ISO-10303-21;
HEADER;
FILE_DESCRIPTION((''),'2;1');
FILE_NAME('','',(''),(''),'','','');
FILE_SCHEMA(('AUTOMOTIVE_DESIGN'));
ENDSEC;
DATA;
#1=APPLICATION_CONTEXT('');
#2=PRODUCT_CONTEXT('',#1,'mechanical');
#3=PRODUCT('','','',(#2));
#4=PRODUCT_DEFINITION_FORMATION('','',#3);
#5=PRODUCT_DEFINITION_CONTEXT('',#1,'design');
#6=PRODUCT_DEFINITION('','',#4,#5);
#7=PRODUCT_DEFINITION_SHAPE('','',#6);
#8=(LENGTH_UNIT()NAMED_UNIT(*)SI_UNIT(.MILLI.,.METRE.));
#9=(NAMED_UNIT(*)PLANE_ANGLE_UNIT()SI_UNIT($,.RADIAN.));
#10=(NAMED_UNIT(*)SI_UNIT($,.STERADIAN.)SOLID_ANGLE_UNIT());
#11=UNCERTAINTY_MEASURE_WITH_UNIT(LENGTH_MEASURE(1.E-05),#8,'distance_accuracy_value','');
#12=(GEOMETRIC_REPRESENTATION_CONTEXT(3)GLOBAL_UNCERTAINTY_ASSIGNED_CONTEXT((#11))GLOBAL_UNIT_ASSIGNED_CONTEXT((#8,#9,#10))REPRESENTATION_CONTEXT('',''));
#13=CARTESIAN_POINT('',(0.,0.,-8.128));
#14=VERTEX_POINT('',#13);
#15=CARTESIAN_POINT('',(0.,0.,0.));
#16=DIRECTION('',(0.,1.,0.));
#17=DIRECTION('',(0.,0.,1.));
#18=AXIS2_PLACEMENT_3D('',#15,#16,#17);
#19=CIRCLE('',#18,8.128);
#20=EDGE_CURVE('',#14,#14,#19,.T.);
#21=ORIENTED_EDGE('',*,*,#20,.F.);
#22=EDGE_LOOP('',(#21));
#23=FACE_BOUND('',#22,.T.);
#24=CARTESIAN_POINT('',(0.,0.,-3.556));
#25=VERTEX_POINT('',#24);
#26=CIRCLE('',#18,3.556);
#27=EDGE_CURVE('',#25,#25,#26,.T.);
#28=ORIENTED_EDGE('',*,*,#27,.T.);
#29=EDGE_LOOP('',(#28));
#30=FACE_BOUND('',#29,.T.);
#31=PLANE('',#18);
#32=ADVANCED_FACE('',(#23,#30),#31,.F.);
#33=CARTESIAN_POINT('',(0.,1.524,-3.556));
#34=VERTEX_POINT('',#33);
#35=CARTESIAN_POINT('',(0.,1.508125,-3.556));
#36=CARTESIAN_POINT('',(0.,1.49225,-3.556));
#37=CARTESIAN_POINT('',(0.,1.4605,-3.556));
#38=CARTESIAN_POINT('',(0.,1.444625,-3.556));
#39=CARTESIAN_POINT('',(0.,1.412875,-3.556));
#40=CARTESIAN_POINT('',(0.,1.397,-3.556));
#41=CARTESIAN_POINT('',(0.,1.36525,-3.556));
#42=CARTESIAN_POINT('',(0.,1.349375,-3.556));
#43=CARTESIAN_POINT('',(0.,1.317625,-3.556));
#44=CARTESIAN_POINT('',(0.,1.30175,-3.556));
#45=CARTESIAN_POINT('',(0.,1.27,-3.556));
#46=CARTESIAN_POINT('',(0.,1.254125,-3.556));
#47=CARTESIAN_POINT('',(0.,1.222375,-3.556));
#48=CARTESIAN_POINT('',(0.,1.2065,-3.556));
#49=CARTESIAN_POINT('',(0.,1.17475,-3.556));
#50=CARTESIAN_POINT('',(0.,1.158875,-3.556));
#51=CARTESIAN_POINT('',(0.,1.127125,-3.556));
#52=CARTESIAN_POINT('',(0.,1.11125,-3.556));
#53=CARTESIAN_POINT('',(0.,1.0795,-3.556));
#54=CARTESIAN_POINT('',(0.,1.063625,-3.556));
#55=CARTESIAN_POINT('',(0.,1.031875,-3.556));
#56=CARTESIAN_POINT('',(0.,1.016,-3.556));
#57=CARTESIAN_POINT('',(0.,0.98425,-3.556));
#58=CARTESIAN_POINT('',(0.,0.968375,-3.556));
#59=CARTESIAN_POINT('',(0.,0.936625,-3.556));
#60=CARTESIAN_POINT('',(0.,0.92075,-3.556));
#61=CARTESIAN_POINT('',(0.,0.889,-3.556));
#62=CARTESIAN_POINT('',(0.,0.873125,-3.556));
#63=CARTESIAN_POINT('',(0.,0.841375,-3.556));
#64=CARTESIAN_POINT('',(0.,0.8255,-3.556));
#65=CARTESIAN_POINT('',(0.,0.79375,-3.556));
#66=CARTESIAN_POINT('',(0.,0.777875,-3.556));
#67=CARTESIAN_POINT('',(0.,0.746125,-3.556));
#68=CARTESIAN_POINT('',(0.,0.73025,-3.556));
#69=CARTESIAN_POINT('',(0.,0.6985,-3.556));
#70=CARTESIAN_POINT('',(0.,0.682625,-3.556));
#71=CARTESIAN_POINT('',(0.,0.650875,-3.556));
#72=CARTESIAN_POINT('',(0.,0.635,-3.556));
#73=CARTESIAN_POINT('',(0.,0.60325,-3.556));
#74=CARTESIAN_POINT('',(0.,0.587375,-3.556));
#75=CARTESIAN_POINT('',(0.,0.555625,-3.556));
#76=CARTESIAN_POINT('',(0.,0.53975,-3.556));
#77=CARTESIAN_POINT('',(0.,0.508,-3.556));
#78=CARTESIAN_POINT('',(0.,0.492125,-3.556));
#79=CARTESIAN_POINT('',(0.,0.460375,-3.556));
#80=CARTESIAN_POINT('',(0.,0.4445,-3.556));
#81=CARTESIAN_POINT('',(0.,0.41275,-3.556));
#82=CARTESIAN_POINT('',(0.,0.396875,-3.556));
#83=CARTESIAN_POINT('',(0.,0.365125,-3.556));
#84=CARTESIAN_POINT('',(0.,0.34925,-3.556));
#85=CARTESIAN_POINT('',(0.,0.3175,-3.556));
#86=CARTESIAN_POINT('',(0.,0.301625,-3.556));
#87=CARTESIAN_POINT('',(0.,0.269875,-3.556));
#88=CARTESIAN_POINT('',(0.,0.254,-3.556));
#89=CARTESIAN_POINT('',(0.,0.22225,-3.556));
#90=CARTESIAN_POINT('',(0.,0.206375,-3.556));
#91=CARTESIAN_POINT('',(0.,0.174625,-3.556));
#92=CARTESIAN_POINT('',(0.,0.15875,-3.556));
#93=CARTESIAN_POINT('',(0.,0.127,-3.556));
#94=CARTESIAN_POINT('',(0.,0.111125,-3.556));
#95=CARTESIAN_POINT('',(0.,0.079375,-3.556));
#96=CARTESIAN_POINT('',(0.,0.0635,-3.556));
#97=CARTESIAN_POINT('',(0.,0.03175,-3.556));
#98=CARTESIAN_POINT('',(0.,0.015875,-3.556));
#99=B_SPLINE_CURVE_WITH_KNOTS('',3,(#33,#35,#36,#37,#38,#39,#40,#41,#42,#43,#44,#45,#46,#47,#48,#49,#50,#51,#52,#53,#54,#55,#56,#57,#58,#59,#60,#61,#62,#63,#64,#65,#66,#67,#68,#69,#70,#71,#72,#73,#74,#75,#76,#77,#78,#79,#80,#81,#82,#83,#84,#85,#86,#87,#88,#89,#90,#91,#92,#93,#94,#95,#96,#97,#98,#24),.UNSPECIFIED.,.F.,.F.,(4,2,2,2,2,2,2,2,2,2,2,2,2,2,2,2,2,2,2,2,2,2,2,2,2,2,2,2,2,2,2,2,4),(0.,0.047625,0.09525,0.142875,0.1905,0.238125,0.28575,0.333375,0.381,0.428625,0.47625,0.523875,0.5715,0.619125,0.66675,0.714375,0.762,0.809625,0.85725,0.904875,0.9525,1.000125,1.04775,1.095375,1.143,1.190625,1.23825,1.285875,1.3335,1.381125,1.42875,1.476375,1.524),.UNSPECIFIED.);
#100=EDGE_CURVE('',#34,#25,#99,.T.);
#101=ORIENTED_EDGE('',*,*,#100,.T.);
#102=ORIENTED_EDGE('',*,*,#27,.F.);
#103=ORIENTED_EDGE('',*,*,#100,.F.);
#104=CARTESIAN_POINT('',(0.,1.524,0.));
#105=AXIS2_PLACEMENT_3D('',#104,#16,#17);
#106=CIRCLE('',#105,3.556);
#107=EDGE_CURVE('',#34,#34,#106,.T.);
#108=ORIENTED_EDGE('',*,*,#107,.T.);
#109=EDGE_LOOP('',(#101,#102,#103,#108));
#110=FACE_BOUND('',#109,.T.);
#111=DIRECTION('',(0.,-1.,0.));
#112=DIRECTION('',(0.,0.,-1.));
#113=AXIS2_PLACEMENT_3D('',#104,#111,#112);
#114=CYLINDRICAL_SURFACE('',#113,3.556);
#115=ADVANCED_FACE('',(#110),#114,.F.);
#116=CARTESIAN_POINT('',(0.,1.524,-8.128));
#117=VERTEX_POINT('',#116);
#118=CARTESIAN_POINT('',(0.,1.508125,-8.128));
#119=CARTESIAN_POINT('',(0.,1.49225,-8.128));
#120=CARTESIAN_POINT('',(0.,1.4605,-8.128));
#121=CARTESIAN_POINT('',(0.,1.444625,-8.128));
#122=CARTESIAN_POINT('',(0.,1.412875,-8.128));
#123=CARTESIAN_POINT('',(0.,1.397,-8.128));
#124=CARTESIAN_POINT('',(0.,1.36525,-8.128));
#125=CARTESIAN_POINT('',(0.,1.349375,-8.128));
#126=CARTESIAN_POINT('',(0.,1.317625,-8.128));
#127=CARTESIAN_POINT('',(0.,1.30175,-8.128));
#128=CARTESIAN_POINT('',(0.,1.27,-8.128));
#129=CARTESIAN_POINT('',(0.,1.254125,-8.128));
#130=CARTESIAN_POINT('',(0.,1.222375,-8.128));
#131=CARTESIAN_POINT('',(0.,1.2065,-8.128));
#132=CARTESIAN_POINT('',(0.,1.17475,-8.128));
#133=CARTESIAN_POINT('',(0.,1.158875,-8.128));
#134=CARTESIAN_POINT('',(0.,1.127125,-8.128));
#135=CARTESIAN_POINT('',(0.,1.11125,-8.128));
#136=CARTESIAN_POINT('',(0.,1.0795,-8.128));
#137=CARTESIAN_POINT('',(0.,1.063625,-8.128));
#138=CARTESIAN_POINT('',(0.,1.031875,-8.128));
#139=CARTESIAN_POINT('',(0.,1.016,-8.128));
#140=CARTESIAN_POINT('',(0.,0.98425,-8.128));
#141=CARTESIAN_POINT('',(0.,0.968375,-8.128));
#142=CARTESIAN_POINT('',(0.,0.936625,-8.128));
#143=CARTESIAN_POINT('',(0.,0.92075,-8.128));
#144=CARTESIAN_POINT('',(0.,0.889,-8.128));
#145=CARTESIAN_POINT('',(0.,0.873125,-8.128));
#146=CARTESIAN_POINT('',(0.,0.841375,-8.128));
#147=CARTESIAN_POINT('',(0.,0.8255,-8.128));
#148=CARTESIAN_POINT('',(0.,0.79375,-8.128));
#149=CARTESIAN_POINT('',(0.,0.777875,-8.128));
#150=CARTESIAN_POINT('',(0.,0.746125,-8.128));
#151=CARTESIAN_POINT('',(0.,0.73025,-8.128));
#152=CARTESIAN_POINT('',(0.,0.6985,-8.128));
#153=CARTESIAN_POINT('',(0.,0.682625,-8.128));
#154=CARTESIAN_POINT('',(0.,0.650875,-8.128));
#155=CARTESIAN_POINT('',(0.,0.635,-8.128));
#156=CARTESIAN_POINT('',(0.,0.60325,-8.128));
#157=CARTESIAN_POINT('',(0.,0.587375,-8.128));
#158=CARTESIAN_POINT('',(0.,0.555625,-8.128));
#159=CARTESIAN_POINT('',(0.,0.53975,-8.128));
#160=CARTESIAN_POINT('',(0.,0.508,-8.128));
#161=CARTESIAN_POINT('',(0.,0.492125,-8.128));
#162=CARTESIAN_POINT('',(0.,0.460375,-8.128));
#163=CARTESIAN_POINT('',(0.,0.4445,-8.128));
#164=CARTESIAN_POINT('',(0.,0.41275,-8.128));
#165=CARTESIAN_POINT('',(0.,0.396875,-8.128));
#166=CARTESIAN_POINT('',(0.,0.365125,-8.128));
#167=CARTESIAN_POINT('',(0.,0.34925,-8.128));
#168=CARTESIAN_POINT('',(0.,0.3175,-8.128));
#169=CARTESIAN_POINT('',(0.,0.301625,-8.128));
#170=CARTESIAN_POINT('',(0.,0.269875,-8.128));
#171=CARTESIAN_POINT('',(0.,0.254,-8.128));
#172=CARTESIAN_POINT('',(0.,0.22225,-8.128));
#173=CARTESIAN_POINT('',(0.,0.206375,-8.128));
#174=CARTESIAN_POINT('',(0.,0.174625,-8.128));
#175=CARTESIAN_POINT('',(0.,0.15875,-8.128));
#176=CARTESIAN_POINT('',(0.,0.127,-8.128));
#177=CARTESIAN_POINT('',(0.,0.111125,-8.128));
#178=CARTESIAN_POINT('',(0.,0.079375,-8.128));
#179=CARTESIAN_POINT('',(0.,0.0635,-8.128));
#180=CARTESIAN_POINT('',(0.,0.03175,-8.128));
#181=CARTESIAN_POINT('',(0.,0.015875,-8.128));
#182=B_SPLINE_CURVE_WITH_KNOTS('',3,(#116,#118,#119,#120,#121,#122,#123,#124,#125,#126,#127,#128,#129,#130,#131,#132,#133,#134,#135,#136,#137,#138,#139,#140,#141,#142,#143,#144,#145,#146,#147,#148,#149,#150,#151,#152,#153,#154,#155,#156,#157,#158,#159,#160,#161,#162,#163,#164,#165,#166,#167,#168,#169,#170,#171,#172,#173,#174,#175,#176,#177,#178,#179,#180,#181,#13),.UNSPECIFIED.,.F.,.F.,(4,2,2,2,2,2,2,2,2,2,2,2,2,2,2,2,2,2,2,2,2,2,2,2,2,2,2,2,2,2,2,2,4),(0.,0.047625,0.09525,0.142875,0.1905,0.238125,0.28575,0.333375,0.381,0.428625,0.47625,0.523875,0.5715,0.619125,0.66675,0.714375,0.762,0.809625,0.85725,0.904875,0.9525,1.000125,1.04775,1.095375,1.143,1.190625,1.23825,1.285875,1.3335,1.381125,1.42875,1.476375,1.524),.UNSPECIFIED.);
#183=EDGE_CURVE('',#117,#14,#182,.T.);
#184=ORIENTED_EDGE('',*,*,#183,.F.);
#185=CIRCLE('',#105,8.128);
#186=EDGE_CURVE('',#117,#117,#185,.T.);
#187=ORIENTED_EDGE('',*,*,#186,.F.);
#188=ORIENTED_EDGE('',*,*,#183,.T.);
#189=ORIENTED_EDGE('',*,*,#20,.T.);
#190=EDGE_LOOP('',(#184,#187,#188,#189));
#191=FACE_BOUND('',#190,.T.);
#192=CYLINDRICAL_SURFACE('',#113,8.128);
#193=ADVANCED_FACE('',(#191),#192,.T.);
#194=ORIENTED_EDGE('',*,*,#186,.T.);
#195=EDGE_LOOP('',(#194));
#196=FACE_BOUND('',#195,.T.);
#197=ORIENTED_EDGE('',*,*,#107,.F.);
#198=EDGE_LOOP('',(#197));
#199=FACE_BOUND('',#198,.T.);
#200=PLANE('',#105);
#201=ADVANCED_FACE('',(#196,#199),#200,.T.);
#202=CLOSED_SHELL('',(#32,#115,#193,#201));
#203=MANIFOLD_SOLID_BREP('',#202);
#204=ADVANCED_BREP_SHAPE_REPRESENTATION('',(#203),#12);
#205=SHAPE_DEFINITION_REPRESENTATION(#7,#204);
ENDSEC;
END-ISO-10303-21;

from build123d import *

# Parameters (mm, degrees)
SKETCH1_R      = 8.128
SKETCH1_R_2    = 3.556
EXTRUDE1_DEPTH = 1.524


with BuildPart() as part:
    # Sketch1 → Extrude1 (new body)
    with BuildSketch(Plane(origin=(0, 0, 0), x_dir=(1, 0, 0), z_dir=(0, 1, 0))):
        with Locations(Location((0, 0, 0), (0, 0, 90))):
            Circle(SKETCH1_R)
        with Locations(Location((0, 0, 0), (0, 0, 90))):
            Circle(SKETCH1_R_2, mode=Mode.SUBTRACT)
    extrude(amount=EXTRUDE1_DEPTH)


solid = part.part
